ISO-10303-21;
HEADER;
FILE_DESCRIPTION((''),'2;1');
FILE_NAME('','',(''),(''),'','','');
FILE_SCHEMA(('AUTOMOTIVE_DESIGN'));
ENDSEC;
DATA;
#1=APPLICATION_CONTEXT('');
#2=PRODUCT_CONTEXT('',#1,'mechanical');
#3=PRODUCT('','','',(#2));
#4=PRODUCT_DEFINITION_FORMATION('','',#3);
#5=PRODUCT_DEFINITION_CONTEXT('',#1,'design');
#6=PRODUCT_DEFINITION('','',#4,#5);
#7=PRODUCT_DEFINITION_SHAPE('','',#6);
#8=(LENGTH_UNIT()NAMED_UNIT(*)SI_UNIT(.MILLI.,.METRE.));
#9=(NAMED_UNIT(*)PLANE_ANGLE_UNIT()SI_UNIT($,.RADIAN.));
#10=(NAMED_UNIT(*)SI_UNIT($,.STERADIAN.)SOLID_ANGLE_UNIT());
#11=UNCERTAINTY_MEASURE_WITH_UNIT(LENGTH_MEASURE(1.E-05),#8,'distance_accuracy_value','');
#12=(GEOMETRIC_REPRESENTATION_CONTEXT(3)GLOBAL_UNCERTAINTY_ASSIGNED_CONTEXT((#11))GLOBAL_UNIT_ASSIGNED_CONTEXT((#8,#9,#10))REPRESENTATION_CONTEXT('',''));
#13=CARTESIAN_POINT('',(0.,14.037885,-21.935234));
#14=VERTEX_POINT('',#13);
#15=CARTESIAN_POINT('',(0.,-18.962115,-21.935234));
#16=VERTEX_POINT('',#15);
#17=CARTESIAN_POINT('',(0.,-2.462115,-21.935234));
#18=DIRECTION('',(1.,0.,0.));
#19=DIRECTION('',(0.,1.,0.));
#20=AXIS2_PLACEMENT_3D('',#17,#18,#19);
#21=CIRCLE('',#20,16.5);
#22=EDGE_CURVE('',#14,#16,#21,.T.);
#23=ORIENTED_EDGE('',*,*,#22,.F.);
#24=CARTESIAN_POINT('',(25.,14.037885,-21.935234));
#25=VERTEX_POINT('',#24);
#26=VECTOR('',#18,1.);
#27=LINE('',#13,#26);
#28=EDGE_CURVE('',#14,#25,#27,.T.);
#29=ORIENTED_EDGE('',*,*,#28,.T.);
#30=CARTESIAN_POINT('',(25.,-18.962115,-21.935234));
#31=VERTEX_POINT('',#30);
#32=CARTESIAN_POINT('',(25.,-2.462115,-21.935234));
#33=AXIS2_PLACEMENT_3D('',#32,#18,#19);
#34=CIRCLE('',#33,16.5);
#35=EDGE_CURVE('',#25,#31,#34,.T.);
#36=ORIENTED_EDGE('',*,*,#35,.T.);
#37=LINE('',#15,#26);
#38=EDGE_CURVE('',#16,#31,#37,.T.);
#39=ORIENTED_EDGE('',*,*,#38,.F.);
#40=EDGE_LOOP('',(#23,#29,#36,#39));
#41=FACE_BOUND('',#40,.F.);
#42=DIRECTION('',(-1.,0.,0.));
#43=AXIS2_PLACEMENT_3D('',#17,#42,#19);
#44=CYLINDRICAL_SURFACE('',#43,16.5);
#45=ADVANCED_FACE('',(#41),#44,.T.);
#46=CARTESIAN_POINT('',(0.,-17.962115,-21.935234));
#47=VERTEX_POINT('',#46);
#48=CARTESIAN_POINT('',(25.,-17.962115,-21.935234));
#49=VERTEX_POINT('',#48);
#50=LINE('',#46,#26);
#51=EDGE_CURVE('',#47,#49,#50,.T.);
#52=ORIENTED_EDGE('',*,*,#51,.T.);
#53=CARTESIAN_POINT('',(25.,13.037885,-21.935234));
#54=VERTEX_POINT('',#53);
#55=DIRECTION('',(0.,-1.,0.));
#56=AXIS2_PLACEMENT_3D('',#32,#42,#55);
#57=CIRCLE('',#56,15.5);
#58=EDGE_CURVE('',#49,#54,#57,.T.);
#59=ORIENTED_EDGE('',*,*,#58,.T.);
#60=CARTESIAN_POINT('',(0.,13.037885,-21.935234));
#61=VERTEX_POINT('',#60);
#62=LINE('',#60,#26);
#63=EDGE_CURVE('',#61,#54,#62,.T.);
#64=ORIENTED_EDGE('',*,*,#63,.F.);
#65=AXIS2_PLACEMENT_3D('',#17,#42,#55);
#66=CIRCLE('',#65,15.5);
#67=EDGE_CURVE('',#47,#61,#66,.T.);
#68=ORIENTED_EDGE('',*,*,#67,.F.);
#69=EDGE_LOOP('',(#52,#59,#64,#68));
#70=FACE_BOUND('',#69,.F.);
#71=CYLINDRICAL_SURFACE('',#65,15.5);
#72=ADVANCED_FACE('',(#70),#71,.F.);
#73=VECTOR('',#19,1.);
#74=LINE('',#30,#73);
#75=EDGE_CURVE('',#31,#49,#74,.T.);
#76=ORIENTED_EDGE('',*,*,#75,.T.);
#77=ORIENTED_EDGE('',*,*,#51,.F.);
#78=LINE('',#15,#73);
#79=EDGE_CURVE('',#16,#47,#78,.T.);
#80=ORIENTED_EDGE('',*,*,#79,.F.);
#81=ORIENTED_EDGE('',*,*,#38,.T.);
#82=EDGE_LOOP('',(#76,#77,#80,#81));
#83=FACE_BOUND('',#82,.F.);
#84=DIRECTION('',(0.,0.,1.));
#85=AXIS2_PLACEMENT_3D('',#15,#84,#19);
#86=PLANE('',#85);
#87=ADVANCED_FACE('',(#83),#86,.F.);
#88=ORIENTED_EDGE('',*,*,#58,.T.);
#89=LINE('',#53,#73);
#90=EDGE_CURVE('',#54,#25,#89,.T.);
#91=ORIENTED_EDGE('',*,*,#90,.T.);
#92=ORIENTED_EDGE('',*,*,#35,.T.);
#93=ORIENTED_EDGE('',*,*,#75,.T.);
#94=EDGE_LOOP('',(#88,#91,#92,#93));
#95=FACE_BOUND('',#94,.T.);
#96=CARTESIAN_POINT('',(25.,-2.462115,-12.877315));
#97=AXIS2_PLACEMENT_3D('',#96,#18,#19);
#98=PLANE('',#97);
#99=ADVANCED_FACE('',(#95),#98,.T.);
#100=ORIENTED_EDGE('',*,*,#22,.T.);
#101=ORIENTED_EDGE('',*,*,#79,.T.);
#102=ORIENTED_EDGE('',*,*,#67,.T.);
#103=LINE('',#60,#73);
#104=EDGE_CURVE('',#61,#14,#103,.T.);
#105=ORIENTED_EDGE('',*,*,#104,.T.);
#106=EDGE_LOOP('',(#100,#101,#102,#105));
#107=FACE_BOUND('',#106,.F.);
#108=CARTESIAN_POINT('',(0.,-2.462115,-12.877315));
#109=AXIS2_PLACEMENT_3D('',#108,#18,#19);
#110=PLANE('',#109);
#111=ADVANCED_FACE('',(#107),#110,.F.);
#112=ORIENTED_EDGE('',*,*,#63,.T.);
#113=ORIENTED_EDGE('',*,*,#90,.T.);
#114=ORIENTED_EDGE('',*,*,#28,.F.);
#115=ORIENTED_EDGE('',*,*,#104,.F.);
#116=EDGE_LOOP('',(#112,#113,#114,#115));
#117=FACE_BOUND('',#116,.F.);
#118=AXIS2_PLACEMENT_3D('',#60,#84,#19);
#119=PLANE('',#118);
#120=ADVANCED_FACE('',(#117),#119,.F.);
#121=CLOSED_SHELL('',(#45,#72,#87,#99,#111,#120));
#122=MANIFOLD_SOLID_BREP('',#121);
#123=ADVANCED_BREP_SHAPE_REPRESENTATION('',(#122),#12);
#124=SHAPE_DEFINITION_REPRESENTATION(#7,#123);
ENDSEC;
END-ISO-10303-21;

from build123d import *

# Parameters (mm, degrees)
F1_DEPTH = 25


with BuildPart() as f1:
    # F0 (on Right) → F1 (new body)
    with BuildSketch(Plane.YZ):
        with BuildLine():
            ThreePointArc((14.037885, -21.935234), (-2.462115, -5.435234), (-18.962115, -21.935234))
            Line((-18.962115, -21.935234), (-17.962115, -21.935234))
            ThreePointArc((-17.962115, -21.935234), (-2.462115, -6.435234), (13.037885, -21.935234))
            Line((13.037885, -21.935234), (14.037885, -21.935234))
        make_face()
    extrude(amount=F1_DEPTH)


solid = f1.part
